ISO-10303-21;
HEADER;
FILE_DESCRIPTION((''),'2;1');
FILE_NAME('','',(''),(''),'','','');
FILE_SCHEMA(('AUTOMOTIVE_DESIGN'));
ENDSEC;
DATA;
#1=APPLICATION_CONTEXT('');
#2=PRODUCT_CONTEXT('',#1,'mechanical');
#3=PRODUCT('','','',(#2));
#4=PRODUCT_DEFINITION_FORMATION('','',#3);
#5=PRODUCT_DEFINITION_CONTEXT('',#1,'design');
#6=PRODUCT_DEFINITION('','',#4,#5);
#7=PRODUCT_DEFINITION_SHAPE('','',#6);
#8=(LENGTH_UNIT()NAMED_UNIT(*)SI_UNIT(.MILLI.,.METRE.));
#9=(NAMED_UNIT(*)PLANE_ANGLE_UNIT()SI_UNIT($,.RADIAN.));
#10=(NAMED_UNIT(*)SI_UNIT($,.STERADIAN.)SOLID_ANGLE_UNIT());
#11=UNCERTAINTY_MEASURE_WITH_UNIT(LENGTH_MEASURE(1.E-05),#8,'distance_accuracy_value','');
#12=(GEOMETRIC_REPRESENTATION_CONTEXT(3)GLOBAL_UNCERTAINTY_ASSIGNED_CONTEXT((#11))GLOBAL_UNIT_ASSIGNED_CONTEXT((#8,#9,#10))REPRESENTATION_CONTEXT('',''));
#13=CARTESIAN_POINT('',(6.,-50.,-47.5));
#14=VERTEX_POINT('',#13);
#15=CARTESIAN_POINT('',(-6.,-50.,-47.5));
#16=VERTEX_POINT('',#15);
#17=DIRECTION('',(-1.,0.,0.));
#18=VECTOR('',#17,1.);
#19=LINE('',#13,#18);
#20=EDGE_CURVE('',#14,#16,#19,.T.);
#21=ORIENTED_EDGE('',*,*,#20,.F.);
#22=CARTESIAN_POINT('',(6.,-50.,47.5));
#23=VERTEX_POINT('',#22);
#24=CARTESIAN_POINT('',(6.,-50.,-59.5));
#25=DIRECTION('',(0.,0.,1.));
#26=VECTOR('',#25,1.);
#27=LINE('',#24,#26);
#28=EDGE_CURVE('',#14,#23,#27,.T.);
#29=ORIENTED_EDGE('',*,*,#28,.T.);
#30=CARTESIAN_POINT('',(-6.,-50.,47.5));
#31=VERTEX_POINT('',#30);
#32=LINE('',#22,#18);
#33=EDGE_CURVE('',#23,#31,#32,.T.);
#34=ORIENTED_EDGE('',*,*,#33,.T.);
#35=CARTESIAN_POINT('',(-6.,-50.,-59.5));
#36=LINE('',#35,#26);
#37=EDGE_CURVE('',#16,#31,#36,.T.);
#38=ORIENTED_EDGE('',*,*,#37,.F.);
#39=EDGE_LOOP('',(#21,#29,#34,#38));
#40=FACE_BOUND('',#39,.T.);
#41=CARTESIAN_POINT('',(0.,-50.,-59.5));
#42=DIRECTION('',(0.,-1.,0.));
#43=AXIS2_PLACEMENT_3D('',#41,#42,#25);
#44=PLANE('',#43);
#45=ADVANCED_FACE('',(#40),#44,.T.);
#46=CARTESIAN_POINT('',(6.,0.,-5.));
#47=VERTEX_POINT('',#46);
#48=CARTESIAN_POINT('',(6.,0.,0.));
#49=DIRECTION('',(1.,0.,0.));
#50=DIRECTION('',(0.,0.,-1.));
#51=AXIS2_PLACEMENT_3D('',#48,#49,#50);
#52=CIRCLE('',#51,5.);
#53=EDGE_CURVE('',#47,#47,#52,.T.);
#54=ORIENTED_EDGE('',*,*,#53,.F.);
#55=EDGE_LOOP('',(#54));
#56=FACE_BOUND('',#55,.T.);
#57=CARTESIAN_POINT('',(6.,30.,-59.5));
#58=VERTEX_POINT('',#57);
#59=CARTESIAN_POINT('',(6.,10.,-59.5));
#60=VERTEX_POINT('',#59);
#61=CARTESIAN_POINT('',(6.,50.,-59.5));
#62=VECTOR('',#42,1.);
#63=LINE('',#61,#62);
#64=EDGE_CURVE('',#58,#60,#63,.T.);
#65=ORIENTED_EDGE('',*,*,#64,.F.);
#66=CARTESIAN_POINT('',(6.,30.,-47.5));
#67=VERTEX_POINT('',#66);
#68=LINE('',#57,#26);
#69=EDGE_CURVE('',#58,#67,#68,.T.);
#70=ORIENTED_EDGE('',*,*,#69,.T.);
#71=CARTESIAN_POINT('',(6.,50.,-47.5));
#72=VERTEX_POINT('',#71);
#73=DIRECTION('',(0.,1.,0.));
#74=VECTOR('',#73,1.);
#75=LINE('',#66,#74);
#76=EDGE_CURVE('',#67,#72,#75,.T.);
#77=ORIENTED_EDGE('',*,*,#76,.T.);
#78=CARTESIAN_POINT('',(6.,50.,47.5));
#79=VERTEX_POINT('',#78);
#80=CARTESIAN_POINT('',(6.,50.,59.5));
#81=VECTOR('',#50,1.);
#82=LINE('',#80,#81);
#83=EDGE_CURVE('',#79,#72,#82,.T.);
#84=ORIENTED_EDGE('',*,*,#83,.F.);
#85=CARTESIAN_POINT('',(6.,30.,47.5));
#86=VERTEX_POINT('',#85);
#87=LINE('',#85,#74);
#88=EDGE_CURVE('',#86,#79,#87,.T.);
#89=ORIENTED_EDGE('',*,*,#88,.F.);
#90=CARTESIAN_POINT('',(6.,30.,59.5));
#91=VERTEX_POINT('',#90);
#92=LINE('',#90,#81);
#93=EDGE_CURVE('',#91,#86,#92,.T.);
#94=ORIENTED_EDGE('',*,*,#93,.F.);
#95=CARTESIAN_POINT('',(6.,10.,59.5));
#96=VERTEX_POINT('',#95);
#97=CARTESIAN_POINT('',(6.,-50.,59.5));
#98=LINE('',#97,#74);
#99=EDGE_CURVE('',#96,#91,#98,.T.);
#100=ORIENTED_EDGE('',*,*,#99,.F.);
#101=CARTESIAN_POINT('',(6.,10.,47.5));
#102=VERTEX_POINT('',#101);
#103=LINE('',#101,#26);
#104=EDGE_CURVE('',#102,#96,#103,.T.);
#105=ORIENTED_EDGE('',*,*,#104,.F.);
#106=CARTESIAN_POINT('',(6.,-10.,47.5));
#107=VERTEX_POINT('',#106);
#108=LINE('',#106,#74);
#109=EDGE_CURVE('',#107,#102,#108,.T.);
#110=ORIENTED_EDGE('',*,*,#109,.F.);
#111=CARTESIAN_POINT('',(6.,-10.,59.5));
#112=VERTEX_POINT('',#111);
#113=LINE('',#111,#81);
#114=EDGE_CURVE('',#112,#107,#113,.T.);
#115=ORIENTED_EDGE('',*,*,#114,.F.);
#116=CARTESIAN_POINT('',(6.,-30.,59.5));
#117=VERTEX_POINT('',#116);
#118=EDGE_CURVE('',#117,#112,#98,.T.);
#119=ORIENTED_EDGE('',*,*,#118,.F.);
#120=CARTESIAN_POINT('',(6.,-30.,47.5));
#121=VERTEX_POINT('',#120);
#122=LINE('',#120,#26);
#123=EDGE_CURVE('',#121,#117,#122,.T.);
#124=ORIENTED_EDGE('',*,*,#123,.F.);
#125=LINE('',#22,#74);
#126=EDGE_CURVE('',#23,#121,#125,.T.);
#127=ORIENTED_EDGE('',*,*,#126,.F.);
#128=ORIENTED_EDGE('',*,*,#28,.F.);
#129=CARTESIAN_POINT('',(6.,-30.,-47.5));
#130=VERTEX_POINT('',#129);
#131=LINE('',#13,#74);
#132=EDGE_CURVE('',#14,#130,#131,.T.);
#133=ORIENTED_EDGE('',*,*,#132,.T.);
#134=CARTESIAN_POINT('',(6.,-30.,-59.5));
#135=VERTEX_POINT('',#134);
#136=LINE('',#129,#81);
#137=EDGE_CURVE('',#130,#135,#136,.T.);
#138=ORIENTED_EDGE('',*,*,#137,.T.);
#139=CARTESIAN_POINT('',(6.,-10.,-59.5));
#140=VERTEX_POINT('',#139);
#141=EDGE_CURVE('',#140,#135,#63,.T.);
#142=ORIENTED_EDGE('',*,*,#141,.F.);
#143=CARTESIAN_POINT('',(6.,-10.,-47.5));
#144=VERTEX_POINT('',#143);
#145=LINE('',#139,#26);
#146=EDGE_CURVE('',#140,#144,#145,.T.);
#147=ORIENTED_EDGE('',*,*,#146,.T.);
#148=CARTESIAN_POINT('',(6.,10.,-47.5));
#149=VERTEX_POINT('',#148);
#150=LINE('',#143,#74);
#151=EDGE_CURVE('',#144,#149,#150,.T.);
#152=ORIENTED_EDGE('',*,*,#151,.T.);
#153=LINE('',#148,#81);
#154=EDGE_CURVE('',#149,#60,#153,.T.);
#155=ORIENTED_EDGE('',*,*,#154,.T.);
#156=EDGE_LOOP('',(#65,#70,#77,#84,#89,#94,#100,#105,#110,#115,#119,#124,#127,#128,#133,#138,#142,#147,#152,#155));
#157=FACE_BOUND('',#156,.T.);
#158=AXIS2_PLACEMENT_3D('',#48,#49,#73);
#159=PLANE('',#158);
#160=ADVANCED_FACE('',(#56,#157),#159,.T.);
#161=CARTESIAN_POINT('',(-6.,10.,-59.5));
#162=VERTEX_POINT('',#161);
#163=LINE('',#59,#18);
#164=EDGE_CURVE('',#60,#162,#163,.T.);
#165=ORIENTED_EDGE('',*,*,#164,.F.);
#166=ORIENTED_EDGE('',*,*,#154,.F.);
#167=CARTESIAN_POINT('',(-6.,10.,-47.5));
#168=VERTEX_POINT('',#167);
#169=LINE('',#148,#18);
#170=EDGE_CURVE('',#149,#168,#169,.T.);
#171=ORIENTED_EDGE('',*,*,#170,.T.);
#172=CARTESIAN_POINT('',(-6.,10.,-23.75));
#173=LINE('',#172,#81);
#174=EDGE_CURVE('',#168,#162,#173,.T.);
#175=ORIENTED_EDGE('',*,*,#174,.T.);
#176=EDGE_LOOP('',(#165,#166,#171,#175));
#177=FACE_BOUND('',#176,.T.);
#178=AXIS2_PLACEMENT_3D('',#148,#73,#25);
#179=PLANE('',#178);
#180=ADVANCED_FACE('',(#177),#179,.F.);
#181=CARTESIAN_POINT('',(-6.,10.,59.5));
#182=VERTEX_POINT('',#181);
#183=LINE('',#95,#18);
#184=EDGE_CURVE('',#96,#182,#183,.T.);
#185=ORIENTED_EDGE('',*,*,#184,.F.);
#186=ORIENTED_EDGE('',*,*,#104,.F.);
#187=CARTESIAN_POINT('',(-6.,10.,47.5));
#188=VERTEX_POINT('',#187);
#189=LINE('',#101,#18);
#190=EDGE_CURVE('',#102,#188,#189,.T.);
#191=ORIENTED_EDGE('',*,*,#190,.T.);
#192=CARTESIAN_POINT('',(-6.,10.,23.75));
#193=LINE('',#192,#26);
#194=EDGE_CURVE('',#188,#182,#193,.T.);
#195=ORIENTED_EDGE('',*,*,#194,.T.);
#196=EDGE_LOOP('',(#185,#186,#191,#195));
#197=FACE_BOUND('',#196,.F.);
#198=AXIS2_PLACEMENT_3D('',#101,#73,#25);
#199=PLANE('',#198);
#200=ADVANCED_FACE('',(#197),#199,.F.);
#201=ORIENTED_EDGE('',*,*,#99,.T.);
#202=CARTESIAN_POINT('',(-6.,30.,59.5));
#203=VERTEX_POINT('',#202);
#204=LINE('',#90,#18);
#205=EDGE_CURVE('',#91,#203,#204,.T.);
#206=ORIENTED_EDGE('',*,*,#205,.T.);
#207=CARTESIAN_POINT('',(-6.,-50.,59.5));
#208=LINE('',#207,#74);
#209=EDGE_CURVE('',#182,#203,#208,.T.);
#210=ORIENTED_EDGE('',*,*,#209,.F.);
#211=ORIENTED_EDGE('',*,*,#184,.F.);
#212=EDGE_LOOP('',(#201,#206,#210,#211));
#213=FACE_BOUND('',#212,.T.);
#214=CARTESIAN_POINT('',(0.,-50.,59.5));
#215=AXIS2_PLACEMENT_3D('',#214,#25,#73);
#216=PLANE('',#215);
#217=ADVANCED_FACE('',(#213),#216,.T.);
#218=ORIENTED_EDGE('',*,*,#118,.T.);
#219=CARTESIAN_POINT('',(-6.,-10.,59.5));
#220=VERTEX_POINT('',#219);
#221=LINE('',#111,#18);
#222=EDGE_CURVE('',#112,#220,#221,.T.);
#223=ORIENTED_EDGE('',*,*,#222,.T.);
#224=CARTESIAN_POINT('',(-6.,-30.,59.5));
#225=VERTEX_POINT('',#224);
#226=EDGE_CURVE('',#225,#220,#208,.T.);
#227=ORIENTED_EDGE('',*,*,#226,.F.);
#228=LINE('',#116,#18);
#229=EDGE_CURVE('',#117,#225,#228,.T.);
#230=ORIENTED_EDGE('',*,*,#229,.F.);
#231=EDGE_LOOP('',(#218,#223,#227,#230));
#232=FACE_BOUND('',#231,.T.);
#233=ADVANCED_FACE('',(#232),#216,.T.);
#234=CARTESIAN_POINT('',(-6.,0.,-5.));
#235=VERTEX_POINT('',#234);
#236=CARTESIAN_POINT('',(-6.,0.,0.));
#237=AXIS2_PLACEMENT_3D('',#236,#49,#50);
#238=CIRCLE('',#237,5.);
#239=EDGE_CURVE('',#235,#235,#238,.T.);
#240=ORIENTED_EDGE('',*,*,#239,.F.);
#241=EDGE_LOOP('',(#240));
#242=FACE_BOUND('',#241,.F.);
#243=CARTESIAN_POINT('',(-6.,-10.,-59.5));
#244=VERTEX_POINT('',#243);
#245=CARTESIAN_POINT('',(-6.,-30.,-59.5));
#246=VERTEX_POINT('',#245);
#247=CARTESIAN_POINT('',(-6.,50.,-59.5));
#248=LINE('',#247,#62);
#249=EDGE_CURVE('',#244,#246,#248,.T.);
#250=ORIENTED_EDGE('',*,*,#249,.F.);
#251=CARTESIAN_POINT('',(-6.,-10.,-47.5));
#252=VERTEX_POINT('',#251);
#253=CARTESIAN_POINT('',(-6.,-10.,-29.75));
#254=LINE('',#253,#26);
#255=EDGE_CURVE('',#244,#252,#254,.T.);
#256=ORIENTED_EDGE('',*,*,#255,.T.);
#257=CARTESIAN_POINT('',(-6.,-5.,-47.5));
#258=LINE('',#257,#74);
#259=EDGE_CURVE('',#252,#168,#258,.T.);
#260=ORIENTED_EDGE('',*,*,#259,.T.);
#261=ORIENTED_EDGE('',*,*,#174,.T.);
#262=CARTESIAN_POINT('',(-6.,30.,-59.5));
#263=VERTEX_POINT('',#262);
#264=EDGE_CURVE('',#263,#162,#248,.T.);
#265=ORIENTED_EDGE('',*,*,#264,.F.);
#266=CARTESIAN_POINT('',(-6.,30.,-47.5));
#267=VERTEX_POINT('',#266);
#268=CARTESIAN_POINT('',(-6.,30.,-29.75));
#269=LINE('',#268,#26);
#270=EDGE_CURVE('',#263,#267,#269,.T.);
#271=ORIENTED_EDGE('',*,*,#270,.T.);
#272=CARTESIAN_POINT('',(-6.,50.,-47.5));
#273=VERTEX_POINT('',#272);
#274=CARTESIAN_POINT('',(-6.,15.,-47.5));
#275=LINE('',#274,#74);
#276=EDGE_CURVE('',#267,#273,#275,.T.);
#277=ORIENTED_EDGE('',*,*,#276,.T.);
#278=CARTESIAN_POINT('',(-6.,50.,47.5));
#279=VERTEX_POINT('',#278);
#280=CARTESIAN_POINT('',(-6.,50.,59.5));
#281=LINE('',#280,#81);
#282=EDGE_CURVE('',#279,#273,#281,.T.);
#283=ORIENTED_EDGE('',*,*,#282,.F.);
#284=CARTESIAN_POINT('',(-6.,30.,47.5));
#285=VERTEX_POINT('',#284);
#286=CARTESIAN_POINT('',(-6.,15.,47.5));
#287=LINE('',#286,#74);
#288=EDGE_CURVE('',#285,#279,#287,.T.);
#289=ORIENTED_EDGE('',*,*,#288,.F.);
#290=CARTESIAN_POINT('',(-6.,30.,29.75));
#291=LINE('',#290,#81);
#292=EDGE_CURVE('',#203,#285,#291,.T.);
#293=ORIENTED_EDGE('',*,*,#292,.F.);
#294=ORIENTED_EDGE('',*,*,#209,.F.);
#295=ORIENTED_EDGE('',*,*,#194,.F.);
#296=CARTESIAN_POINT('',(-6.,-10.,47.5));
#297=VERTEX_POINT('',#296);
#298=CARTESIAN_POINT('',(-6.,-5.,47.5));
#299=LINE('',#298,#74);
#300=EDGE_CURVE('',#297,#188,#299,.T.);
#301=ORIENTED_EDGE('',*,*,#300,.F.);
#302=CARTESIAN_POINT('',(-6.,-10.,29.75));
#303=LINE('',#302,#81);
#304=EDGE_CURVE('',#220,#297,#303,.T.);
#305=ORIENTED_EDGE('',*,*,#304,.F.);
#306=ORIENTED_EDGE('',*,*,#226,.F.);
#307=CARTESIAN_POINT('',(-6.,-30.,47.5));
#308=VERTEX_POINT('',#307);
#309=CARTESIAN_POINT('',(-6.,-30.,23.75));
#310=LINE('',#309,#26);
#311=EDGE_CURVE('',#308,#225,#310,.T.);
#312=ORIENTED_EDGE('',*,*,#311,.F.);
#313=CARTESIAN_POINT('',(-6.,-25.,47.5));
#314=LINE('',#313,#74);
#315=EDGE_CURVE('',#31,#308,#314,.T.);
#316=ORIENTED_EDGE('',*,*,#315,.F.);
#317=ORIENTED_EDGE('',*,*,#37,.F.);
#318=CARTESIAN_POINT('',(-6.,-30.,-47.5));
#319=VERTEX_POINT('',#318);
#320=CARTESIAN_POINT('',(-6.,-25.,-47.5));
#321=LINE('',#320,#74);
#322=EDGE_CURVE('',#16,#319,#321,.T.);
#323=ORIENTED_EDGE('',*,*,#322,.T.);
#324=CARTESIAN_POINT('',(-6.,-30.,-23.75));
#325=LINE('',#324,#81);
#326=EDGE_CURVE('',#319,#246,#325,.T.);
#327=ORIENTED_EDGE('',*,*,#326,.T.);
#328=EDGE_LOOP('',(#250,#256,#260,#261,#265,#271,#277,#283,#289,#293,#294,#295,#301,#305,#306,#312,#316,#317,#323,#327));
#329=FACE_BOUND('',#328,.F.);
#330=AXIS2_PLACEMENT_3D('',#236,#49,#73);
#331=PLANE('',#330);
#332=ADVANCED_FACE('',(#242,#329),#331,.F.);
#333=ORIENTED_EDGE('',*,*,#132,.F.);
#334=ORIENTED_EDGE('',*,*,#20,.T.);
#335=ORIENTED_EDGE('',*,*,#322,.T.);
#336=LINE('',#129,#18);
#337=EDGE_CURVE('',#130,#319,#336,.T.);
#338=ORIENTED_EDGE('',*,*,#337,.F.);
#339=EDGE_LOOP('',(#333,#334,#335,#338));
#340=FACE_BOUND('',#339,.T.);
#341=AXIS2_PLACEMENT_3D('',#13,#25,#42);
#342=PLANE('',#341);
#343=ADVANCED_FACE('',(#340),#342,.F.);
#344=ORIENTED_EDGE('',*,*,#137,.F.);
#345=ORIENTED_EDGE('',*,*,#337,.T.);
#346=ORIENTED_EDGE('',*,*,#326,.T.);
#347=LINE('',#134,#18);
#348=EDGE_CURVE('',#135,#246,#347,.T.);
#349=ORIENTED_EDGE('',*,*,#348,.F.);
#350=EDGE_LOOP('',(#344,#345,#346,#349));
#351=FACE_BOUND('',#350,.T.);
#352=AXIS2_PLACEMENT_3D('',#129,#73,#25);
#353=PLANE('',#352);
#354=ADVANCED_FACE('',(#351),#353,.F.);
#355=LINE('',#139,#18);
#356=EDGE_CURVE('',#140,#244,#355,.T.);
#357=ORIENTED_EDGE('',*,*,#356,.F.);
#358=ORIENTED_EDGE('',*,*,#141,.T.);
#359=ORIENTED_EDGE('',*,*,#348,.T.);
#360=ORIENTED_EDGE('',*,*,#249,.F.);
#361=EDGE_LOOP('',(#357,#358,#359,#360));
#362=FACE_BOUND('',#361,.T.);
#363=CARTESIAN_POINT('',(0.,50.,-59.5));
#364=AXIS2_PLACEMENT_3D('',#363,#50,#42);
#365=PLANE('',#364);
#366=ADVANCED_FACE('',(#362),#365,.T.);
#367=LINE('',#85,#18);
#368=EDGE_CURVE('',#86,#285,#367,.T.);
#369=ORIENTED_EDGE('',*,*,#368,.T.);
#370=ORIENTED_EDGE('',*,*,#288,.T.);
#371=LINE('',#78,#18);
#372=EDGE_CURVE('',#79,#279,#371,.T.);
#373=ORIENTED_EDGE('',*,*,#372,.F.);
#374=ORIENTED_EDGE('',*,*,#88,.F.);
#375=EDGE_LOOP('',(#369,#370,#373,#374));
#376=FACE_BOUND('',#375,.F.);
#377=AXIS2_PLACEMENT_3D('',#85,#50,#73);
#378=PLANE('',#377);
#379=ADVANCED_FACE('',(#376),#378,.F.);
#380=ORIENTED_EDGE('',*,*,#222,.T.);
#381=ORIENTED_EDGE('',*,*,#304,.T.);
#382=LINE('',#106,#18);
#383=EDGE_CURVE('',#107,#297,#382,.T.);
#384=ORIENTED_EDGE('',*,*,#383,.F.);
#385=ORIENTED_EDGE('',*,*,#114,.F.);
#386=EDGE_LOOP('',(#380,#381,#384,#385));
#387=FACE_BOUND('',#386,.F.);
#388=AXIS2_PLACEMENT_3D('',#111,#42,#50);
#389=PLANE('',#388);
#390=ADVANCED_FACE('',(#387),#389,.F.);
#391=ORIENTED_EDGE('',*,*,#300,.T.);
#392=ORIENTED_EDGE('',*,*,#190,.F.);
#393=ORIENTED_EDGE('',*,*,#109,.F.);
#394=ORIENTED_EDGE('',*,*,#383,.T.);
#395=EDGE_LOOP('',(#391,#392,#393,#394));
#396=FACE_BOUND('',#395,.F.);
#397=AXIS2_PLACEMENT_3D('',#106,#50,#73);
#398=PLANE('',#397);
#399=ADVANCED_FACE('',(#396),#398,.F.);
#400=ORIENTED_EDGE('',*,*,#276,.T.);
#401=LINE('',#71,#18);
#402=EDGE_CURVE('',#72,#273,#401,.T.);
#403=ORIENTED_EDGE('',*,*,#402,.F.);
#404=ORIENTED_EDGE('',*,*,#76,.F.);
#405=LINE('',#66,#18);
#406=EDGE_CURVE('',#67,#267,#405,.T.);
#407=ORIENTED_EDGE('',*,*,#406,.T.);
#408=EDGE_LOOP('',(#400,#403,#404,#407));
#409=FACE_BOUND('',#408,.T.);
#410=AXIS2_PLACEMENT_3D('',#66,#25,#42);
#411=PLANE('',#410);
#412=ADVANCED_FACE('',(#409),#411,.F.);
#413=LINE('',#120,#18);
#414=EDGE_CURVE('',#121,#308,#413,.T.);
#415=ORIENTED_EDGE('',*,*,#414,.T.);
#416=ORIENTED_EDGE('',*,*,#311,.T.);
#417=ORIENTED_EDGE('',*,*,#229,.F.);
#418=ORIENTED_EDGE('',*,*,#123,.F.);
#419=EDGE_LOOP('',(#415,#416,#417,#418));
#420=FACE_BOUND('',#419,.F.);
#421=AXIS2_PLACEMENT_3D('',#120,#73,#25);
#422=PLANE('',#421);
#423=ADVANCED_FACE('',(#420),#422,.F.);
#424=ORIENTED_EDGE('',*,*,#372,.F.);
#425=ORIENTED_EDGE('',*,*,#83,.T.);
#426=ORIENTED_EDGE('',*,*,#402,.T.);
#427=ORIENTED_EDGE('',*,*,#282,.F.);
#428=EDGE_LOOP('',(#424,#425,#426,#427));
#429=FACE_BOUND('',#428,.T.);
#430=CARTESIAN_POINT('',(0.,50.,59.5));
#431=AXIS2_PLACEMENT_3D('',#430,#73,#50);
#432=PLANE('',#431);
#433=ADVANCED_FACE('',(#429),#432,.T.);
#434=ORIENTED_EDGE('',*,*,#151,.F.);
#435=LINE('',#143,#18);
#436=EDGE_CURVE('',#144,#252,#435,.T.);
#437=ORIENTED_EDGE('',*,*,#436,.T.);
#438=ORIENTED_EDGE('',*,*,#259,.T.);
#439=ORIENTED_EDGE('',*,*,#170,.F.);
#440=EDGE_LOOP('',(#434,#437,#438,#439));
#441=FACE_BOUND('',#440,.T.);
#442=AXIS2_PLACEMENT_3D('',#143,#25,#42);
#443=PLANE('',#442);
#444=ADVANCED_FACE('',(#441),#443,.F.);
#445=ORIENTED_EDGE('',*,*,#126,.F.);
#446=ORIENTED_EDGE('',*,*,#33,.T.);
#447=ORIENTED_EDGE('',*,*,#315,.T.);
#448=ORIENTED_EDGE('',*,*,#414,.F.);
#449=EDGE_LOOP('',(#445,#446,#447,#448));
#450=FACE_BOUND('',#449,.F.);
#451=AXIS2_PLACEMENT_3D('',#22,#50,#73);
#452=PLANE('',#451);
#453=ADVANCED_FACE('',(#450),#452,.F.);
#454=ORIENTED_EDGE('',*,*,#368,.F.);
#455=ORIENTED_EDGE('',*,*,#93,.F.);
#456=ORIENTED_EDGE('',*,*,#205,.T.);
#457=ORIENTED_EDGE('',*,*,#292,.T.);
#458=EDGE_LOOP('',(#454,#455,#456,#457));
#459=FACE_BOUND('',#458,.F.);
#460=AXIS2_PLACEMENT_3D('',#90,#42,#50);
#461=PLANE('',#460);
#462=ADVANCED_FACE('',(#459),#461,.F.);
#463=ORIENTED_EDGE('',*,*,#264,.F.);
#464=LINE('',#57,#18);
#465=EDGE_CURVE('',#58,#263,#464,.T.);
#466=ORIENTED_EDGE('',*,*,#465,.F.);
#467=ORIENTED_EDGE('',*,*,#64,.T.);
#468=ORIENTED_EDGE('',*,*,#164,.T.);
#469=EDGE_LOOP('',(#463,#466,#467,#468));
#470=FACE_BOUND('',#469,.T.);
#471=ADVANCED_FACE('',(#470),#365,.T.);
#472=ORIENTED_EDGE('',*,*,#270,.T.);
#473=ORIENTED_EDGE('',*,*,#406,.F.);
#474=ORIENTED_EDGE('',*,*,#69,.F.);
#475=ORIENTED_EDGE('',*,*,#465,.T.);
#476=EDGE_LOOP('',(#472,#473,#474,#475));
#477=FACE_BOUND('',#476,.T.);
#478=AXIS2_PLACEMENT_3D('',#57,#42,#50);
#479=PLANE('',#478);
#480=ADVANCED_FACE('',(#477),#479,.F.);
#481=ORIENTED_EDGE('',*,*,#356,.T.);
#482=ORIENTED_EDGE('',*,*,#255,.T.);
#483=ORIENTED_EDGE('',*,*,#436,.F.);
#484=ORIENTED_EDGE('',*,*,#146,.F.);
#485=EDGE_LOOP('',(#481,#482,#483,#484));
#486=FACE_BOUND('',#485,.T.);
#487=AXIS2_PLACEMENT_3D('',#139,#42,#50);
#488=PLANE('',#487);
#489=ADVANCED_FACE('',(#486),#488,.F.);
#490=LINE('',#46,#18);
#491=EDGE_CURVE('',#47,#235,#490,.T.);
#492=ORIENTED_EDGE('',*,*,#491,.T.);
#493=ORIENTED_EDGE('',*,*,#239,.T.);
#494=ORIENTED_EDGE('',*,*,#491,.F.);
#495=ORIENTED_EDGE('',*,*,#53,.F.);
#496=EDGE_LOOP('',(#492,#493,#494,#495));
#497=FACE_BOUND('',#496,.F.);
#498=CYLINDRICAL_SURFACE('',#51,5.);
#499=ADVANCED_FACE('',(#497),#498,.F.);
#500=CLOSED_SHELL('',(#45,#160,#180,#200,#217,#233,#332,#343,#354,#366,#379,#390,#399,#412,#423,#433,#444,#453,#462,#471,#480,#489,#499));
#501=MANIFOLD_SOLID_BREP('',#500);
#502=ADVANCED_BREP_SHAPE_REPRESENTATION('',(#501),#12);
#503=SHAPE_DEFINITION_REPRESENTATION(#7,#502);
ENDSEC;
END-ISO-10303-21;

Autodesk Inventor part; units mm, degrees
ref_plane "YZ Plane" through (0, 0, 0) normal (1, 0, 0) x (0, 1, 0)
ref_plane "XZ Plane" through (0, 0, 0) normal (0, 1, 0) x (-1, 0, 0)
ref_plane "XY Plane" through (0, 0, 0) normal (0, 0, 1) x (1, 0, 0)
sketch "Sketch6" plane through (0, 0, 0) normal (1, 0, 0) x (0, 1, 0)
  line L0 (-50, 59.5) -> (50, 59.5)
  line L1 (50, 59.5) -> (50, -59.5)
  line L2 (50, -59.5) -> (-50, -59.5)
  line L3 (-50, -59.5) -> (-50, 59.5)
  line L4 (-50, 59.5) -> (50, -59.5) construction
  line L5 (50, 59.5) -> (-50, -59.5) construction
  point P0 (0, 0)
  dimension "d28" = 100
  dimension "d29" = 119
extrude "Extrusion5" add sketch "Sketch6" along normal mid plane 12
sketch "Sketch7" plane through (6, 0, 0) normal (1, 0, 0) x (0, 0, -1)
  line L0 (-59.5, 50) -> (-59.5, -50) projected
  line L1 (-59.5, -50) -> (-47.5, -50)
  line L2 (-47.5, -50) -> (-47.5, -30)
  line L3 (-47.5, -30) -> (-59.5, -30)
  line L4 (-59.5, -30) -> (-59.5, -50)
  line L5 (-59.5, -50) -> (-59.5, 50) projected
  line L6 (-59.5, -10) -> (-47.5, -10)
  line L7 (-47.5, -10) -> (-47.5, 10)
  line L8 (-47.5, 10) -> (-59.5, 10)
  line L9 (-59.5, 10) -> (-59.5, -10)
  line L10 (-59.5, 30) -> (-47.5, 30)
  line L11 (-47.5, 30) -> (-47.5, 50)
  line L12 (-47.5, 50) -> (-59.5, 50)
  line L13 (-59.5, 50) -> (-59.5, 30)
  point P0 (0, 0)
  dimension "d32" = 12
  dimension "d33" = 20
  dimension "d34" = 12
  dimension "d35" = 20
  dimension "d36" = 20
  dimension "d39" = 12
  dimension "d40" = 20
  dimension "d41" = 20
extrude "Extrusion6" cut sketch "Sketch7" against normal through all
mirror "Mirror2" about plane through (0, 0, 0) normal (0, 0, 1) of "Extrusion6"
sketch "Sketch8" plane through (6, 0, 0) normal (1, 0, 0) x (0, 0, -1)
  circle A0 centre (0, 0) radius 5
  dimension "d44" = 10
extrude "Extrusion7" cut sketch "Sketch8" against normal through all
properties part number "FRONT V2" material "Wood (Cherry)"
